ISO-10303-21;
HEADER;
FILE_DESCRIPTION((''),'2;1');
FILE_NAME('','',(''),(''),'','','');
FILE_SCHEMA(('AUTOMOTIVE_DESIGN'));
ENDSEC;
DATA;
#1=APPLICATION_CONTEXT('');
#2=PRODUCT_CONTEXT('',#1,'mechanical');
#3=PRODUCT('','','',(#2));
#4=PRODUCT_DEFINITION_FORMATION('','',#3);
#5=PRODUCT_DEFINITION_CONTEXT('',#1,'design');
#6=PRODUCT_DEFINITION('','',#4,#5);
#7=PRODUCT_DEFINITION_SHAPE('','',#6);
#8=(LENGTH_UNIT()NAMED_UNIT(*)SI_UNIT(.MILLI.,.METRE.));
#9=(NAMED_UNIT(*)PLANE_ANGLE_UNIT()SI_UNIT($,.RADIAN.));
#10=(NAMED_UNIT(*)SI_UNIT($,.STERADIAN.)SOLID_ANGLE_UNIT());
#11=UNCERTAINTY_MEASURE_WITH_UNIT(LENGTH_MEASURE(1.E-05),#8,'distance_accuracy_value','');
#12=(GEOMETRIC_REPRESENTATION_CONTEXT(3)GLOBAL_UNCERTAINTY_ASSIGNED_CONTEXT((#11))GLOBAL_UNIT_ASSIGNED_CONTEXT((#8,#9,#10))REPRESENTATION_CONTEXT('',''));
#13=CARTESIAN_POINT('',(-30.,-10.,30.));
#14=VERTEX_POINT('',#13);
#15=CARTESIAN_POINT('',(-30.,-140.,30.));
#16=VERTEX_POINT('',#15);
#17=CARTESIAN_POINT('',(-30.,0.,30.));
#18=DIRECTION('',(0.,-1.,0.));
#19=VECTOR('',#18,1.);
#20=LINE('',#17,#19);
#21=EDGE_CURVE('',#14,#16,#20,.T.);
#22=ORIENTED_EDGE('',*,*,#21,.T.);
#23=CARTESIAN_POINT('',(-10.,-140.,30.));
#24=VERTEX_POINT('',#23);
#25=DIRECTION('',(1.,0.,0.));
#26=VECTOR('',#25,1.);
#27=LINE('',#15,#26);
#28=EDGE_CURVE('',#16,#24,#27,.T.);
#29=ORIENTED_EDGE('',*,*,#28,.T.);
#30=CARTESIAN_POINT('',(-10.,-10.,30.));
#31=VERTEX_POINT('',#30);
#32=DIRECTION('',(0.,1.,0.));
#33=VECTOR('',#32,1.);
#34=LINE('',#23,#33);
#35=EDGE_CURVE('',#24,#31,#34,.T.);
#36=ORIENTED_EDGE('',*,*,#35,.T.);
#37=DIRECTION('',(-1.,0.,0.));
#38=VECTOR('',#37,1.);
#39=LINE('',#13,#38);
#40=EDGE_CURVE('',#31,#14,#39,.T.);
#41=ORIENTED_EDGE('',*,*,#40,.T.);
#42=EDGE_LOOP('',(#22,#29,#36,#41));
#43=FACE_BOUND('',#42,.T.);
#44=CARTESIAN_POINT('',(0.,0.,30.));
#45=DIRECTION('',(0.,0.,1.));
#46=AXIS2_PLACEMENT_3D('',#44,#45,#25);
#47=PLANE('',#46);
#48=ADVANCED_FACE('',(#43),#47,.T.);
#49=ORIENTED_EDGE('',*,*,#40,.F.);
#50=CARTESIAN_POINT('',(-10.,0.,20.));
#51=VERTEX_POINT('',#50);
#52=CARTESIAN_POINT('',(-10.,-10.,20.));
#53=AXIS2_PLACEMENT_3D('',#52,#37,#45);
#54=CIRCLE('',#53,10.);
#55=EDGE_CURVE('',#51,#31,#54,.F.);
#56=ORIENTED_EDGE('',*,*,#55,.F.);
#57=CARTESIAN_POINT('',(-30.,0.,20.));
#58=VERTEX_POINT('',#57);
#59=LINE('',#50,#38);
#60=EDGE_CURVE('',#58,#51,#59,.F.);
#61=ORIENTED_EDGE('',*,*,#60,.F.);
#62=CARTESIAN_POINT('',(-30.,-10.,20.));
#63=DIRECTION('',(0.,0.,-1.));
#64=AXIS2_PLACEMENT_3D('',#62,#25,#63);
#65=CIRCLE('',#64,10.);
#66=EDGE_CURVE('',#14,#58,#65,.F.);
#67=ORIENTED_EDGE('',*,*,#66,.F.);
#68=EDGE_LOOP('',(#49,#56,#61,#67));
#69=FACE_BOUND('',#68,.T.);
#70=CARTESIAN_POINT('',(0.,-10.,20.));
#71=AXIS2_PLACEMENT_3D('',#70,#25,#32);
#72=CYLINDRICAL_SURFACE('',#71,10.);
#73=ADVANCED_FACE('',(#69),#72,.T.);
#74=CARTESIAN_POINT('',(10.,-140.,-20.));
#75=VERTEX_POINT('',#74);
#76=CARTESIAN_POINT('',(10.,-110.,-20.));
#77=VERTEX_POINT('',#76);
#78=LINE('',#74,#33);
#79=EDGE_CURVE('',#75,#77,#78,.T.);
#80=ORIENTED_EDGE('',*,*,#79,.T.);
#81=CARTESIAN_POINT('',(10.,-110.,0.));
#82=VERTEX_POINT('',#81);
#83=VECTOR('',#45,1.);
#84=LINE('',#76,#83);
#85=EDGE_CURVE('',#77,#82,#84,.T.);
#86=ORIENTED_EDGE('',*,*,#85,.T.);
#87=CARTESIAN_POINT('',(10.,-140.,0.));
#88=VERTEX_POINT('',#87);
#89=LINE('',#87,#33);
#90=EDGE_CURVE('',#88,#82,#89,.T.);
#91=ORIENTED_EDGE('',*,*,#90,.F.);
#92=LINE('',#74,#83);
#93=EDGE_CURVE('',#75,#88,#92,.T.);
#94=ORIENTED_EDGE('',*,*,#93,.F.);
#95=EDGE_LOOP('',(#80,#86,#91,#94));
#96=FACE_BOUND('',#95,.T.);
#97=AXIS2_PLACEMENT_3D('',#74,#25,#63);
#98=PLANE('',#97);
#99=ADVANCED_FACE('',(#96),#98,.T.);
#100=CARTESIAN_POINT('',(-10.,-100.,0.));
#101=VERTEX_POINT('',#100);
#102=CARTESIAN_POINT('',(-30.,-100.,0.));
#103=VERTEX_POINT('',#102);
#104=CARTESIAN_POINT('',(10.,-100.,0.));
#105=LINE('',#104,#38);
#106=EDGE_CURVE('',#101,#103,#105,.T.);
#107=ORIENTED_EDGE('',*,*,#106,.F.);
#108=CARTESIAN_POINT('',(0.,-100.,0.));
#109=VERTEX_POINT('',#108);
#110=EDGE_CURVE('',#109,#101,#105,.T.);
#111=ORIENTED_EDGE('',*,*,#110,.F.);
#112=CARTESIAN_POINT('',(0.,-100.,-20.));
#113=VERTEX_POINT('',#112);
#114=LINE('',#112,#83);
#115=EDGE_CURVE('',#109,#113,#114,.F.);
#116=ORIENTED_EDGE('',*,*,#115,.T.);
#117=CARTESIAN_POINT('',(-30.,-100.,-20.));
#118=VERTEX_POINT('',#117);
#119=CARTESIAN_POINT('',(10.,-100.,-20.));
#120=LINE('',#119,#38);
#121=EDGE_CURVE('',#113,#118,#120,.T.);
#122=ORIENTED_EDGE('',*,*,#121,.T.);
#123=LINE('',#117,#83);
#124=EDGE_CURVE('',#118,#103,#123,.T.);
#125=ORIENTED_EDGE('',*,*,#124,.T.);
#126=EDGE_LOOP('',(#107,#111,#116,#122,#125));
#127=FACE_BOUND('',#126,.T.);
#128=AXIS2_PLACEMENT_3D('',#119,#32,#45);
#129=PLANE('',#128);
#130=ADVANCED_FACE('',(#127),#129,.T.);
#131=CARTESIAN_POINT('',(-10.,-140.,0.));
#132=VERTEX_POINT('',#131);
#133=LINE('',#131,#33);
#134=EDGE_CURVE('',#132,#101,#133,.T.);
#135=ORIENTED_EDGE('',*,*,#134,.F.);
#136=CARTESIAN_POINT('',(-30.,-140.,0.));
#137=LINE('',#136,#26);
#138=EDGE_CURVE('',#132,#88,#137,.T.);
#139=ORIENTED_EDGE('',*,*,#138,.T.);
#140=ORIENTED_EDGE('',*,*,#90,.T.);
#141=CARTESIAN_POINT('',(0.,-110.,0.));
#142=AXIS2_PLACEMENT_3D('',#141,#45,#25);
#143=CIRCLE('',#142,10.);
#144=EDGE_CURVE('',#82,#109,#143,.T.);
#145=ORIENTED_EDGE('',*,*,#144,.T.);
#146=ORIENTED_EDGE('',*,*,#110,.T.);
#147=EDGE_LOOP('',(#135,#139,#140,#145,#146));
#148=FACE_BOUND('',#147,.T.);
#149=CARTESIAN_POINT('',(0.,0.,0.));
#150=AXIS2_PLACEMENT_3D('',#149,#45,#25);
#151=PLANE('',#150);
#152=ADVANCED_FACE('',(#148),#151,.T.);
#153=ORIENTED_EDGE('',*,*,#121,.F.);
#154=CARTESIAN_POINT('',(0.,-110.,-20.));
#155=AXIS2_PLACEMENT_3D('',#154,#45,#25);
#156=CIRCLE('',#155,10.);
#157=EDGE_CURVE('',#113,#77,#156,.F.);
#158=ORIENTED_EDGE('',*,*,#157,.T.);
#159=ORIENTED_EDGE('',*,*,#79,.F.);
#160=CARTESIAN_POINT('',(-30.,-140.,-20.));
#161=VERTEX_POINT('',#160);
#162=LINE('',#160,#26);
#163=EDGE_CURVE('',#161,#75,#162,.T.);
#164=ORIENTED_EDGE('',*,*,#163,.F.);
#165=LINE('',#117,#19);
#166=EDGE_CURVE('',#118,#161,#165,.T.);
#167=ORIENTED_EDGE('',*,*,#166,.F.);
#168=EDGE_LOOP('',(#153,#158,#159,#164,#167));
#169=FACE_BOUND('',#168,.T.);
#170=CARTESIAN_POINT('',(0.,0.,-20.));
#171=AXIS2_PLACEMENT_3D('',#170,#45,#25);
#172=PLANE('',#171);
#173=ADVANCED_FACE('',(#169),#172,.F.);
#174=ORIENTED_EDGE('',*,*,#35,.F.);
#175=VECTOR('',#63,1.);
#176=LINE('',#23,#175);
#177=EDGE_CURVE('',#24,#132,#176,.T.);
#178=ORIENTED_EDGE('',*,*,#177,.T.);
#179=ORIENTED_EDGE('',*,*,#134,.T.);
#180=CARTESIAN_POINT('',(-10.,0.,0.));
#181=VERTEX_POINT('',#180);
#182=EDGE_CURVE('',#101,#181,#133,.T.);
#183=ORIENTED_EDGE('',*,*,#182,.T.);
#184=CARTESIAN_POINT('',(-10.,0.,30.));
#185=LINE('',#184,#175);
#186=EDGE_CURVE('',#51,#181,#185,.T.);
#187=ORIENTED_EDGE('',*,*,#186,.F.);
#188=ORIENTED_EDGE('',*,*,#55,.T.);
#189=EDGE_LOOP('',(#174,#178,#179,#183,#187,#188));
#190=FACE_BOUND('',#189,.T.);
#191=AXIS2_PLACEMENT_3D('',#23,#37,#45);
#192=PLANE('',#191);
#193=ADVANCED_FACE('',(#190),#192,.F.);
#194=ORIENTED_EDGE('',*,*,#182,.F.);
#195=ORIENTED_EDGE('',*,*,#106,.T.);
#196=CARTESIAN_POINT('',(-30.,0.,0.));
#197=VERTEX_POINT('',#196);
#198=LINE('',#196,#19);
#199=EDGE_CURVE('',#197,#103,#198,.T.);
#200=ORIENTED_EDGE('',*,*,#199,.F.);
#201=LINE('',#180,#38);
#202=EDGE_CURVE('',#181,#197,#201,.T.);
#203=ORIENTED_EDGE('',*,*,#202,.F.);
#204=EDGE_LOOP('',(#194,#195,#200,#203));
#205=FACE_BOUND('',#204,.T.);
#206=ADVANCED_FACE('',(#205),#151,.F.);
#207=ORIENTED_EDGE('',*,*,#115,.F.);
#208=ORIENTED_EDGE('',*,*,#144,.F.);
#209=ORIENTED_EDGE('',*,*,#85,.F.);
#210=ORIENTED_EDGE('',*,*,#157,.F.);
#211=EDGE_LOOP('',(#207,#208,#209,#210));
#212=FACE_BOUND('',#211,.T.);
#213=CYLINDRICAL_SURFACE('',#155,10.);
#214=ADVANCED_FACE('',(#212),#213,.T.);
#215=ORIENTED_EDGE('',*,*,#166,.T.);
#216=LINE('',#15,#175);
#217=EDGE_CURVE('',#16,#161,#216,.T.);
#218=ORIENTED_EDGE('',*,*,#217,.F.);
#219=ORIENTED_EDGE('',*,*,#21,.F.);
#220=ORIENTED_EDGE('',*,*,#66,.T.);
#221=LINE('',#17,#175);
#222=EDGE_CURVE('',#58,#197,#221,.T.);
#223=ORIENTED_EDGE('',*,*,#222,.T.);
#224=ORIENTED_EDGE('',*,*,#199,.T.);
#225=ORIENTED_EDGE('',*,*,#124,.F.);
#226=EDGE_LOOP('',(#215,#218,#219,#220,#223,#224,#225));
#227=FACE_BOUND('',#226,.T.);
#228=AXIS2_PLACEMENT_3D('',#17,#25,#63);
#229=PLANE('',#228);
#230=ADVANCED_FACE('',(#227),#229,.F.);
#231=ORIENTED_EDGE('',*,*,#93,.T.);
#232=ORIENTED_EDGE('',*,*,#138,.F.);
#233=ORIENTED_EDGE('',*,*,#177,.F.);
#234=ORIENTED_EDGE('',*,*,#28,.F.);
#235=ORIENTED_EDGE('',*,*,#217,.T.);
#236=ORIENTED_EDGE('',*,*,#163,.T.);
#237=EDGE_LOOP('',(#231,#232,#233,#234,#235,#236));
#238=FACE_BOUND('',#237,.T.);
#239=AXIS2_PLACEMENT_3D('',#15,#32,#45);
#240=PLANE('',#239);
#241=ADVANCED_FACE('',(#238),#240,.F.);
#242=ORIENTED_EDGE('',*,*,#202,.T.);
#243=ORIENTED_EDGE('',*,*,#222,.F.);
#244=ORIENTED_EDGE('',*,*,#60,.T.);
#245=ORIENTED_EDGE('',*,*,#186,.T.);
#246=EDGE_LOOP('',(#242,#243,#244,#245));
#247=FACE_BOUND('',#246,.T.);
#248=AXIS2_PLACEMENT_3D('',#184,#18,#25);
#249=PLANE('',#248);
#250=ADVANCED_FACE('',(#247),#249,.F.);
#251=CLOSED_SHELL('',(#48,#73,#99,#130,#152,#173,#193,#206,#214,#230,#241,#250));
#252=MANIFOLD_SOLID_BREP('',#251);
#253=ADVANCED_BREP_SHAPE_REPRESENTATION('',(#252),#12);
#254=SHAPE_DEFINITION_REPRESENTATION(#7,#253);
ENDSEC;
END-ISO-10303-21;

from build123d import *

# Parameters (mm, degrees)
SKETCH1_W           = 20
SKETCH1_H           = 140
BOSS_EXTRUDE1_DEPTH = 30
SKETCH2_W           = 40
SKETCH2_H           = 40
BOSS_EXTRUDE2_DEPTH = 20
FILLET1_R           = 10


with BuildPart() as part:
    # Sketch1 → Boss-Extrude1 (new body)
    with BuildSketch(Plane.XY):
        with Locations((-20, -70)):
            Rectangle(SKETCH1_W, SKETCH1_H)
    extrude(amount=BOSS_EXTRUDE1_DEPTH)

    # Sketch2 → Boss-Extrude2 (add)
    with BuildSketch(Plane.XY):
        with Locations((-10, -120)):
            Rectangle(SKETCH2_W, SKETCH2_H)
    extrude(amount=-BOSS_EXTRUDE2_DEPTH)

    # Fillet1
    fillet1_edges = [part.edges().sort_by_distance(p)[0] for p in [
        (10, -100, -10),
        (-20, 0, 30),
    ]]
    fillet(fillet1_edges, radius=FILLET1_R)


solid = part.part
